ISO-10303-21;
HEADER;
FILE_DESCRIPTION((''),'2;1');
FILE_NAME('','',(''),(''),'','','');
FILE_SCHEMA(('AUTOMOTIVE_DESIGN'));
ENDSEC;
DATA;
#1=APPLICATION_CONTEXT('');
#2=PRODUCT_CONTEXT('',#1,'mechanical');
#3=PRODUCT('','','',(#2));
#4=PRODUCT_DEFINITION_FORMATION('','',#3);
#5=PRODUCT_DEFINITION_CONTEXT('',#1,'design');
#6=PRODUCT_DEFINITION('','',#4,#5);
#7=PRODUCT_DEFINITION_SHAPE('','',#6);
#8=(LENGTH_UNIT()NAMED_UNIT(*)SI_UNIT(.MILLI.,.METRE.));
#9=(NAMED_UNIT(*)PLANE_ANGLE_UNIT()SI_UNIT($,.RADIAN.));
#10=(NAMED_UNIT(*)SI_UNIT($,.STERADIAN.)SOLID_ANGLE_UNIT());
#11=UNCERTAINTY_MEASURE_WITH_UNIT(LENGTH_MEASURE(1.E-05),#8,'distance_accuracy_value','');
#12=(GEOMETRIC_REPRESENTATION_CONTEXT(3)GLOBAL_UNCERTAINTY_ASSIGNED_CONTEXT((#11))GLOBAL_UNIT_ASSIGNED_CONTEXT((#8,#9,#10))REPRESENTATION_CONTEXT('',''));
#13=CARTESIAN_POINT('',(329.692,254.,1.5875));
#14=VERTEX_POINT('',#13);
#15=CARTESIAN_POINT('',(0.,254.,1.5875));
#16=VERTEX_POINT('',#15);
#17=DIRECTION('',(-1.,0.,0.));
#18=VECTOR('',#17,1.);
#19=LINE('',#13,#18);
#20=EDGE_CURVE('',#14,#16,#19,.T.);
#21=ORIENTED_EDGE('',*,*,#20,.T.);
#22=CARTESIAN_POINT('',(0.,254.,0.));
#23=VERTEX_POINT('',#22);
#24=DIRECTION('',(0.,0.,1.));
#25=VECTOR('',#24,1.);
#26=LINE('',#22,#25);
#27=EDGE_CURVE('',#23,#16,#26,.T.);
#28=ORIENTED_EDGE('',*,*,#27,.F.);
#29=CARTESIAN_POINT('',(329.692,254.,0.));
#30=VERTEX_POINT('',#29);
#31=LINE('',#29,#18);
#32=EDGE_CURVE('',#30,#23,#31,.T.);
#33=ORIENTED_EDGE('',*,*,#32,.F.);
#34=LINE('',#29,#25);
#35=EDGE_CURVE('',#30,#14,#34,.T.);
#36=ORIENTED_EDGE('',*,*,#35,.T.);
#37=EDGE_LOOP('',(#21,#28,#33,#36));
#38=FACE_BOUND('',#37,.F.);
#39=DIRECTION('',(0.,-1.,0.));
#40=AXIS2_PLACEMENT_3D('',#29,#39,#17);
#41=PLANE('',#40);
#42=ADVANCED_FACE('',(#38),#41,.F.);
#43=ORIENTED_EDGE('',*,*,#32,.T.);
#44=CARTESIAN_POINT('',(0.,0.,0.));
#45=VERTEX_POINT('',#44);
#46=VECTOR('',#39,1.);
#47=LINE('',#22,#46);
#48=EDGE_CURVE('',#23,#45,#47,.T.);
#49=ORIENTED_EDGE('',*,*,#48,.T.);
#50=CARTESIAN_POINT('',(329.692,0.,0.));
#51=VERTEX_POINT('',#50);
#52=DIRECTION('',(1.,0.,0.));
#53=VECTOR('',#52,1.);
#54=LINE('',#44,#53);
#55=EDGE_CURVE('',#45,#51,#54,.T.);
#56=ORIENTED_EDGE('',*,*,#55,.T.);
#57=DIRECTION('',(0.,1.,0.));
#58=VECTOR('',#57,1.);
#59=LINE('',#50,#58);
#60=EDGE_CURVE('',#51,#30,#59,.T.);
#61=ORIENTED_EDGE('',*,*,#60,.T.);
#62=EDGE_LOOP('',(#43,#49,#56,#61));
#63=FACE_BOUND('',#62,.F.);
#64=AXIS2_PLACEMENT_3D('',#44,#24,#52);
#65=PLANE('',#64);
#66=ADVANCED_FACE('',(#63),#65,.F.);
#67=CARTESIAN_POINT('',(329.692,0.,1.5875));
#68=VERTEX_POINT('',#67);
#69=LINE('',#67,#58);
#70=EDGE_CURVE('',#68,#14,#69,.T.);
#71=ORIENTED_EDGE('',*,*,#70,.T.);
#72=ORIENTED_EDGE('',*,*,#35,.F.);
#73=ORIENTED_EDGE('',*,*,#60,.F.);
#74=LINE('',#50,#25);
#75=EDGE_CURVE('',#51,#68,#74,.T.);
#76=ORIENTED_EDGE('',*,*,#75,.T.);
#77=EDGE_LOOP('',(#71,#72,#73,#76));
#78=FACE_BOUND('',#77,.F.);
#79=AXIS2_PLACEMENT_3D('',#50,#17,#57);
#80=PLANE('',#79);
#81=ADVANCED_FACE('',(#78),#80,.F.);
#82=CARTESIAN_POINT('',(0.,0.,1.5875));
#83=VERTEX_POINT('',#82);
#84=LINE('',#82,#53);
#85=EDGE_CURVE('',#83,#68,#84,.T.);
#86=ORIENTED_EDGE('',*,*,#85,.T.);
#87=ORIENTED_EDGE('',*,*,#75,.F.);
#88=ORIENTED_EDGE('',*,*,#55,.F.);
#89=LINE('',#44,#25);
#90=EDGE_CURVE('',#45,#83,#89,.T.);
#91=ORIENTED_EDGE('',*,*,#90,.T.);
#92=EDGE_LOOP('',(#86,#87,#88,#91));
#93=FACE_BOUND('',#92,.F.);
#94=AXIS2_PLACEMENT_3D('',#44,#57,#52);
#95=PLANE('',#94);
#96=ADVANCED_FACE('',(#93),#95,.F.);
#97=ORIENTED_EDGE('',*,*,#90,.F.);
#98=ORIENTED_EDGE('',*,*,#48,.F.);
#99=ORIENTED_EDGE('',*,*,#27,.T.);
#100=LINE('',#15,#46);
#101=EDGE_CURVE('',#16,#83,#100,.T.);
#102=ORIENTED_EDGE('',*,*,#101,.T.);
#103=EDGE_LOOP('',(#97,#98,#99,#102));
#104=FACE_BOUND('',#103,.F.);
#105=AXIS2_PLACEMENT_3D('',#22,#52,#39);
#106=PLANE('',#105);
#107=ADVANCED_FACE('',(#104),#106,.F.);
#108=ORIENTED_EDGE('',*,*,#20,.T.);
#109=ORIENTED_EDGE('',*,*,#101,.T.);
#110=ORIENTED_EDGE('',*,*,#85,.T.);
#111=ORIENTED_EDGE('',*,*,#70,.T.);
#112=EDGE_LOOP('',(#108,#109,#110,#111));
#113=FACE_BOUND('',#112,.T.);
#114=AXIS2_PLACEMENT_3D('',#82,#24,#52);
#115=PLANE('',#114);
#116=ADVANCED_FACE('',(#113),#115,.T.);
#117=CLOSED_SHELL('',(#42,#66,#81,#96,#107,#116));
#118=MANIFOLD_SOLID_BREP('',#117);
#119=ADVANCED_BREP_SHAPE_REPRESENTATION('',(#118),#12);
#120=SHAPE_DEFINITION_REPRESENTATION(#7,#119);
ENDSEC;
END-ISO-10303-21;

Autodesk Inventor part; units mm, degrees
ref_plane "YZ Plane" through (0, 0, 0) normal (1, 0, 0) x (0, 1, 0)
ref_plane "XZ Plane" through (0, 0, 0) normal (0, 1, 0) x (-1, 0, 0)
ref_plane "XY Plane" through (0, 0, 0) normal (0, 0, 1) x (1, 0, 0)
sketch "Sketch1" plane through (0, 0, 0) normal (0, 0, 1) x (1, 0, 0)
  line L0 (0, 0) -> (329.692, 0)
  line L1 (329.692, 0) -> (329.692, 254)
  line L2 (329.692, 254) -> (0, 254)
  line L3 (0, 254) -> (0, 0)
  dimension "d0" = 329.692
  dimension "d1" = 254
extrude "Extrusion1" add sketch "Sketch1" along normal blind 1.5875
properties part number "ElectricalPanel" material "Acrylic, Clear"
